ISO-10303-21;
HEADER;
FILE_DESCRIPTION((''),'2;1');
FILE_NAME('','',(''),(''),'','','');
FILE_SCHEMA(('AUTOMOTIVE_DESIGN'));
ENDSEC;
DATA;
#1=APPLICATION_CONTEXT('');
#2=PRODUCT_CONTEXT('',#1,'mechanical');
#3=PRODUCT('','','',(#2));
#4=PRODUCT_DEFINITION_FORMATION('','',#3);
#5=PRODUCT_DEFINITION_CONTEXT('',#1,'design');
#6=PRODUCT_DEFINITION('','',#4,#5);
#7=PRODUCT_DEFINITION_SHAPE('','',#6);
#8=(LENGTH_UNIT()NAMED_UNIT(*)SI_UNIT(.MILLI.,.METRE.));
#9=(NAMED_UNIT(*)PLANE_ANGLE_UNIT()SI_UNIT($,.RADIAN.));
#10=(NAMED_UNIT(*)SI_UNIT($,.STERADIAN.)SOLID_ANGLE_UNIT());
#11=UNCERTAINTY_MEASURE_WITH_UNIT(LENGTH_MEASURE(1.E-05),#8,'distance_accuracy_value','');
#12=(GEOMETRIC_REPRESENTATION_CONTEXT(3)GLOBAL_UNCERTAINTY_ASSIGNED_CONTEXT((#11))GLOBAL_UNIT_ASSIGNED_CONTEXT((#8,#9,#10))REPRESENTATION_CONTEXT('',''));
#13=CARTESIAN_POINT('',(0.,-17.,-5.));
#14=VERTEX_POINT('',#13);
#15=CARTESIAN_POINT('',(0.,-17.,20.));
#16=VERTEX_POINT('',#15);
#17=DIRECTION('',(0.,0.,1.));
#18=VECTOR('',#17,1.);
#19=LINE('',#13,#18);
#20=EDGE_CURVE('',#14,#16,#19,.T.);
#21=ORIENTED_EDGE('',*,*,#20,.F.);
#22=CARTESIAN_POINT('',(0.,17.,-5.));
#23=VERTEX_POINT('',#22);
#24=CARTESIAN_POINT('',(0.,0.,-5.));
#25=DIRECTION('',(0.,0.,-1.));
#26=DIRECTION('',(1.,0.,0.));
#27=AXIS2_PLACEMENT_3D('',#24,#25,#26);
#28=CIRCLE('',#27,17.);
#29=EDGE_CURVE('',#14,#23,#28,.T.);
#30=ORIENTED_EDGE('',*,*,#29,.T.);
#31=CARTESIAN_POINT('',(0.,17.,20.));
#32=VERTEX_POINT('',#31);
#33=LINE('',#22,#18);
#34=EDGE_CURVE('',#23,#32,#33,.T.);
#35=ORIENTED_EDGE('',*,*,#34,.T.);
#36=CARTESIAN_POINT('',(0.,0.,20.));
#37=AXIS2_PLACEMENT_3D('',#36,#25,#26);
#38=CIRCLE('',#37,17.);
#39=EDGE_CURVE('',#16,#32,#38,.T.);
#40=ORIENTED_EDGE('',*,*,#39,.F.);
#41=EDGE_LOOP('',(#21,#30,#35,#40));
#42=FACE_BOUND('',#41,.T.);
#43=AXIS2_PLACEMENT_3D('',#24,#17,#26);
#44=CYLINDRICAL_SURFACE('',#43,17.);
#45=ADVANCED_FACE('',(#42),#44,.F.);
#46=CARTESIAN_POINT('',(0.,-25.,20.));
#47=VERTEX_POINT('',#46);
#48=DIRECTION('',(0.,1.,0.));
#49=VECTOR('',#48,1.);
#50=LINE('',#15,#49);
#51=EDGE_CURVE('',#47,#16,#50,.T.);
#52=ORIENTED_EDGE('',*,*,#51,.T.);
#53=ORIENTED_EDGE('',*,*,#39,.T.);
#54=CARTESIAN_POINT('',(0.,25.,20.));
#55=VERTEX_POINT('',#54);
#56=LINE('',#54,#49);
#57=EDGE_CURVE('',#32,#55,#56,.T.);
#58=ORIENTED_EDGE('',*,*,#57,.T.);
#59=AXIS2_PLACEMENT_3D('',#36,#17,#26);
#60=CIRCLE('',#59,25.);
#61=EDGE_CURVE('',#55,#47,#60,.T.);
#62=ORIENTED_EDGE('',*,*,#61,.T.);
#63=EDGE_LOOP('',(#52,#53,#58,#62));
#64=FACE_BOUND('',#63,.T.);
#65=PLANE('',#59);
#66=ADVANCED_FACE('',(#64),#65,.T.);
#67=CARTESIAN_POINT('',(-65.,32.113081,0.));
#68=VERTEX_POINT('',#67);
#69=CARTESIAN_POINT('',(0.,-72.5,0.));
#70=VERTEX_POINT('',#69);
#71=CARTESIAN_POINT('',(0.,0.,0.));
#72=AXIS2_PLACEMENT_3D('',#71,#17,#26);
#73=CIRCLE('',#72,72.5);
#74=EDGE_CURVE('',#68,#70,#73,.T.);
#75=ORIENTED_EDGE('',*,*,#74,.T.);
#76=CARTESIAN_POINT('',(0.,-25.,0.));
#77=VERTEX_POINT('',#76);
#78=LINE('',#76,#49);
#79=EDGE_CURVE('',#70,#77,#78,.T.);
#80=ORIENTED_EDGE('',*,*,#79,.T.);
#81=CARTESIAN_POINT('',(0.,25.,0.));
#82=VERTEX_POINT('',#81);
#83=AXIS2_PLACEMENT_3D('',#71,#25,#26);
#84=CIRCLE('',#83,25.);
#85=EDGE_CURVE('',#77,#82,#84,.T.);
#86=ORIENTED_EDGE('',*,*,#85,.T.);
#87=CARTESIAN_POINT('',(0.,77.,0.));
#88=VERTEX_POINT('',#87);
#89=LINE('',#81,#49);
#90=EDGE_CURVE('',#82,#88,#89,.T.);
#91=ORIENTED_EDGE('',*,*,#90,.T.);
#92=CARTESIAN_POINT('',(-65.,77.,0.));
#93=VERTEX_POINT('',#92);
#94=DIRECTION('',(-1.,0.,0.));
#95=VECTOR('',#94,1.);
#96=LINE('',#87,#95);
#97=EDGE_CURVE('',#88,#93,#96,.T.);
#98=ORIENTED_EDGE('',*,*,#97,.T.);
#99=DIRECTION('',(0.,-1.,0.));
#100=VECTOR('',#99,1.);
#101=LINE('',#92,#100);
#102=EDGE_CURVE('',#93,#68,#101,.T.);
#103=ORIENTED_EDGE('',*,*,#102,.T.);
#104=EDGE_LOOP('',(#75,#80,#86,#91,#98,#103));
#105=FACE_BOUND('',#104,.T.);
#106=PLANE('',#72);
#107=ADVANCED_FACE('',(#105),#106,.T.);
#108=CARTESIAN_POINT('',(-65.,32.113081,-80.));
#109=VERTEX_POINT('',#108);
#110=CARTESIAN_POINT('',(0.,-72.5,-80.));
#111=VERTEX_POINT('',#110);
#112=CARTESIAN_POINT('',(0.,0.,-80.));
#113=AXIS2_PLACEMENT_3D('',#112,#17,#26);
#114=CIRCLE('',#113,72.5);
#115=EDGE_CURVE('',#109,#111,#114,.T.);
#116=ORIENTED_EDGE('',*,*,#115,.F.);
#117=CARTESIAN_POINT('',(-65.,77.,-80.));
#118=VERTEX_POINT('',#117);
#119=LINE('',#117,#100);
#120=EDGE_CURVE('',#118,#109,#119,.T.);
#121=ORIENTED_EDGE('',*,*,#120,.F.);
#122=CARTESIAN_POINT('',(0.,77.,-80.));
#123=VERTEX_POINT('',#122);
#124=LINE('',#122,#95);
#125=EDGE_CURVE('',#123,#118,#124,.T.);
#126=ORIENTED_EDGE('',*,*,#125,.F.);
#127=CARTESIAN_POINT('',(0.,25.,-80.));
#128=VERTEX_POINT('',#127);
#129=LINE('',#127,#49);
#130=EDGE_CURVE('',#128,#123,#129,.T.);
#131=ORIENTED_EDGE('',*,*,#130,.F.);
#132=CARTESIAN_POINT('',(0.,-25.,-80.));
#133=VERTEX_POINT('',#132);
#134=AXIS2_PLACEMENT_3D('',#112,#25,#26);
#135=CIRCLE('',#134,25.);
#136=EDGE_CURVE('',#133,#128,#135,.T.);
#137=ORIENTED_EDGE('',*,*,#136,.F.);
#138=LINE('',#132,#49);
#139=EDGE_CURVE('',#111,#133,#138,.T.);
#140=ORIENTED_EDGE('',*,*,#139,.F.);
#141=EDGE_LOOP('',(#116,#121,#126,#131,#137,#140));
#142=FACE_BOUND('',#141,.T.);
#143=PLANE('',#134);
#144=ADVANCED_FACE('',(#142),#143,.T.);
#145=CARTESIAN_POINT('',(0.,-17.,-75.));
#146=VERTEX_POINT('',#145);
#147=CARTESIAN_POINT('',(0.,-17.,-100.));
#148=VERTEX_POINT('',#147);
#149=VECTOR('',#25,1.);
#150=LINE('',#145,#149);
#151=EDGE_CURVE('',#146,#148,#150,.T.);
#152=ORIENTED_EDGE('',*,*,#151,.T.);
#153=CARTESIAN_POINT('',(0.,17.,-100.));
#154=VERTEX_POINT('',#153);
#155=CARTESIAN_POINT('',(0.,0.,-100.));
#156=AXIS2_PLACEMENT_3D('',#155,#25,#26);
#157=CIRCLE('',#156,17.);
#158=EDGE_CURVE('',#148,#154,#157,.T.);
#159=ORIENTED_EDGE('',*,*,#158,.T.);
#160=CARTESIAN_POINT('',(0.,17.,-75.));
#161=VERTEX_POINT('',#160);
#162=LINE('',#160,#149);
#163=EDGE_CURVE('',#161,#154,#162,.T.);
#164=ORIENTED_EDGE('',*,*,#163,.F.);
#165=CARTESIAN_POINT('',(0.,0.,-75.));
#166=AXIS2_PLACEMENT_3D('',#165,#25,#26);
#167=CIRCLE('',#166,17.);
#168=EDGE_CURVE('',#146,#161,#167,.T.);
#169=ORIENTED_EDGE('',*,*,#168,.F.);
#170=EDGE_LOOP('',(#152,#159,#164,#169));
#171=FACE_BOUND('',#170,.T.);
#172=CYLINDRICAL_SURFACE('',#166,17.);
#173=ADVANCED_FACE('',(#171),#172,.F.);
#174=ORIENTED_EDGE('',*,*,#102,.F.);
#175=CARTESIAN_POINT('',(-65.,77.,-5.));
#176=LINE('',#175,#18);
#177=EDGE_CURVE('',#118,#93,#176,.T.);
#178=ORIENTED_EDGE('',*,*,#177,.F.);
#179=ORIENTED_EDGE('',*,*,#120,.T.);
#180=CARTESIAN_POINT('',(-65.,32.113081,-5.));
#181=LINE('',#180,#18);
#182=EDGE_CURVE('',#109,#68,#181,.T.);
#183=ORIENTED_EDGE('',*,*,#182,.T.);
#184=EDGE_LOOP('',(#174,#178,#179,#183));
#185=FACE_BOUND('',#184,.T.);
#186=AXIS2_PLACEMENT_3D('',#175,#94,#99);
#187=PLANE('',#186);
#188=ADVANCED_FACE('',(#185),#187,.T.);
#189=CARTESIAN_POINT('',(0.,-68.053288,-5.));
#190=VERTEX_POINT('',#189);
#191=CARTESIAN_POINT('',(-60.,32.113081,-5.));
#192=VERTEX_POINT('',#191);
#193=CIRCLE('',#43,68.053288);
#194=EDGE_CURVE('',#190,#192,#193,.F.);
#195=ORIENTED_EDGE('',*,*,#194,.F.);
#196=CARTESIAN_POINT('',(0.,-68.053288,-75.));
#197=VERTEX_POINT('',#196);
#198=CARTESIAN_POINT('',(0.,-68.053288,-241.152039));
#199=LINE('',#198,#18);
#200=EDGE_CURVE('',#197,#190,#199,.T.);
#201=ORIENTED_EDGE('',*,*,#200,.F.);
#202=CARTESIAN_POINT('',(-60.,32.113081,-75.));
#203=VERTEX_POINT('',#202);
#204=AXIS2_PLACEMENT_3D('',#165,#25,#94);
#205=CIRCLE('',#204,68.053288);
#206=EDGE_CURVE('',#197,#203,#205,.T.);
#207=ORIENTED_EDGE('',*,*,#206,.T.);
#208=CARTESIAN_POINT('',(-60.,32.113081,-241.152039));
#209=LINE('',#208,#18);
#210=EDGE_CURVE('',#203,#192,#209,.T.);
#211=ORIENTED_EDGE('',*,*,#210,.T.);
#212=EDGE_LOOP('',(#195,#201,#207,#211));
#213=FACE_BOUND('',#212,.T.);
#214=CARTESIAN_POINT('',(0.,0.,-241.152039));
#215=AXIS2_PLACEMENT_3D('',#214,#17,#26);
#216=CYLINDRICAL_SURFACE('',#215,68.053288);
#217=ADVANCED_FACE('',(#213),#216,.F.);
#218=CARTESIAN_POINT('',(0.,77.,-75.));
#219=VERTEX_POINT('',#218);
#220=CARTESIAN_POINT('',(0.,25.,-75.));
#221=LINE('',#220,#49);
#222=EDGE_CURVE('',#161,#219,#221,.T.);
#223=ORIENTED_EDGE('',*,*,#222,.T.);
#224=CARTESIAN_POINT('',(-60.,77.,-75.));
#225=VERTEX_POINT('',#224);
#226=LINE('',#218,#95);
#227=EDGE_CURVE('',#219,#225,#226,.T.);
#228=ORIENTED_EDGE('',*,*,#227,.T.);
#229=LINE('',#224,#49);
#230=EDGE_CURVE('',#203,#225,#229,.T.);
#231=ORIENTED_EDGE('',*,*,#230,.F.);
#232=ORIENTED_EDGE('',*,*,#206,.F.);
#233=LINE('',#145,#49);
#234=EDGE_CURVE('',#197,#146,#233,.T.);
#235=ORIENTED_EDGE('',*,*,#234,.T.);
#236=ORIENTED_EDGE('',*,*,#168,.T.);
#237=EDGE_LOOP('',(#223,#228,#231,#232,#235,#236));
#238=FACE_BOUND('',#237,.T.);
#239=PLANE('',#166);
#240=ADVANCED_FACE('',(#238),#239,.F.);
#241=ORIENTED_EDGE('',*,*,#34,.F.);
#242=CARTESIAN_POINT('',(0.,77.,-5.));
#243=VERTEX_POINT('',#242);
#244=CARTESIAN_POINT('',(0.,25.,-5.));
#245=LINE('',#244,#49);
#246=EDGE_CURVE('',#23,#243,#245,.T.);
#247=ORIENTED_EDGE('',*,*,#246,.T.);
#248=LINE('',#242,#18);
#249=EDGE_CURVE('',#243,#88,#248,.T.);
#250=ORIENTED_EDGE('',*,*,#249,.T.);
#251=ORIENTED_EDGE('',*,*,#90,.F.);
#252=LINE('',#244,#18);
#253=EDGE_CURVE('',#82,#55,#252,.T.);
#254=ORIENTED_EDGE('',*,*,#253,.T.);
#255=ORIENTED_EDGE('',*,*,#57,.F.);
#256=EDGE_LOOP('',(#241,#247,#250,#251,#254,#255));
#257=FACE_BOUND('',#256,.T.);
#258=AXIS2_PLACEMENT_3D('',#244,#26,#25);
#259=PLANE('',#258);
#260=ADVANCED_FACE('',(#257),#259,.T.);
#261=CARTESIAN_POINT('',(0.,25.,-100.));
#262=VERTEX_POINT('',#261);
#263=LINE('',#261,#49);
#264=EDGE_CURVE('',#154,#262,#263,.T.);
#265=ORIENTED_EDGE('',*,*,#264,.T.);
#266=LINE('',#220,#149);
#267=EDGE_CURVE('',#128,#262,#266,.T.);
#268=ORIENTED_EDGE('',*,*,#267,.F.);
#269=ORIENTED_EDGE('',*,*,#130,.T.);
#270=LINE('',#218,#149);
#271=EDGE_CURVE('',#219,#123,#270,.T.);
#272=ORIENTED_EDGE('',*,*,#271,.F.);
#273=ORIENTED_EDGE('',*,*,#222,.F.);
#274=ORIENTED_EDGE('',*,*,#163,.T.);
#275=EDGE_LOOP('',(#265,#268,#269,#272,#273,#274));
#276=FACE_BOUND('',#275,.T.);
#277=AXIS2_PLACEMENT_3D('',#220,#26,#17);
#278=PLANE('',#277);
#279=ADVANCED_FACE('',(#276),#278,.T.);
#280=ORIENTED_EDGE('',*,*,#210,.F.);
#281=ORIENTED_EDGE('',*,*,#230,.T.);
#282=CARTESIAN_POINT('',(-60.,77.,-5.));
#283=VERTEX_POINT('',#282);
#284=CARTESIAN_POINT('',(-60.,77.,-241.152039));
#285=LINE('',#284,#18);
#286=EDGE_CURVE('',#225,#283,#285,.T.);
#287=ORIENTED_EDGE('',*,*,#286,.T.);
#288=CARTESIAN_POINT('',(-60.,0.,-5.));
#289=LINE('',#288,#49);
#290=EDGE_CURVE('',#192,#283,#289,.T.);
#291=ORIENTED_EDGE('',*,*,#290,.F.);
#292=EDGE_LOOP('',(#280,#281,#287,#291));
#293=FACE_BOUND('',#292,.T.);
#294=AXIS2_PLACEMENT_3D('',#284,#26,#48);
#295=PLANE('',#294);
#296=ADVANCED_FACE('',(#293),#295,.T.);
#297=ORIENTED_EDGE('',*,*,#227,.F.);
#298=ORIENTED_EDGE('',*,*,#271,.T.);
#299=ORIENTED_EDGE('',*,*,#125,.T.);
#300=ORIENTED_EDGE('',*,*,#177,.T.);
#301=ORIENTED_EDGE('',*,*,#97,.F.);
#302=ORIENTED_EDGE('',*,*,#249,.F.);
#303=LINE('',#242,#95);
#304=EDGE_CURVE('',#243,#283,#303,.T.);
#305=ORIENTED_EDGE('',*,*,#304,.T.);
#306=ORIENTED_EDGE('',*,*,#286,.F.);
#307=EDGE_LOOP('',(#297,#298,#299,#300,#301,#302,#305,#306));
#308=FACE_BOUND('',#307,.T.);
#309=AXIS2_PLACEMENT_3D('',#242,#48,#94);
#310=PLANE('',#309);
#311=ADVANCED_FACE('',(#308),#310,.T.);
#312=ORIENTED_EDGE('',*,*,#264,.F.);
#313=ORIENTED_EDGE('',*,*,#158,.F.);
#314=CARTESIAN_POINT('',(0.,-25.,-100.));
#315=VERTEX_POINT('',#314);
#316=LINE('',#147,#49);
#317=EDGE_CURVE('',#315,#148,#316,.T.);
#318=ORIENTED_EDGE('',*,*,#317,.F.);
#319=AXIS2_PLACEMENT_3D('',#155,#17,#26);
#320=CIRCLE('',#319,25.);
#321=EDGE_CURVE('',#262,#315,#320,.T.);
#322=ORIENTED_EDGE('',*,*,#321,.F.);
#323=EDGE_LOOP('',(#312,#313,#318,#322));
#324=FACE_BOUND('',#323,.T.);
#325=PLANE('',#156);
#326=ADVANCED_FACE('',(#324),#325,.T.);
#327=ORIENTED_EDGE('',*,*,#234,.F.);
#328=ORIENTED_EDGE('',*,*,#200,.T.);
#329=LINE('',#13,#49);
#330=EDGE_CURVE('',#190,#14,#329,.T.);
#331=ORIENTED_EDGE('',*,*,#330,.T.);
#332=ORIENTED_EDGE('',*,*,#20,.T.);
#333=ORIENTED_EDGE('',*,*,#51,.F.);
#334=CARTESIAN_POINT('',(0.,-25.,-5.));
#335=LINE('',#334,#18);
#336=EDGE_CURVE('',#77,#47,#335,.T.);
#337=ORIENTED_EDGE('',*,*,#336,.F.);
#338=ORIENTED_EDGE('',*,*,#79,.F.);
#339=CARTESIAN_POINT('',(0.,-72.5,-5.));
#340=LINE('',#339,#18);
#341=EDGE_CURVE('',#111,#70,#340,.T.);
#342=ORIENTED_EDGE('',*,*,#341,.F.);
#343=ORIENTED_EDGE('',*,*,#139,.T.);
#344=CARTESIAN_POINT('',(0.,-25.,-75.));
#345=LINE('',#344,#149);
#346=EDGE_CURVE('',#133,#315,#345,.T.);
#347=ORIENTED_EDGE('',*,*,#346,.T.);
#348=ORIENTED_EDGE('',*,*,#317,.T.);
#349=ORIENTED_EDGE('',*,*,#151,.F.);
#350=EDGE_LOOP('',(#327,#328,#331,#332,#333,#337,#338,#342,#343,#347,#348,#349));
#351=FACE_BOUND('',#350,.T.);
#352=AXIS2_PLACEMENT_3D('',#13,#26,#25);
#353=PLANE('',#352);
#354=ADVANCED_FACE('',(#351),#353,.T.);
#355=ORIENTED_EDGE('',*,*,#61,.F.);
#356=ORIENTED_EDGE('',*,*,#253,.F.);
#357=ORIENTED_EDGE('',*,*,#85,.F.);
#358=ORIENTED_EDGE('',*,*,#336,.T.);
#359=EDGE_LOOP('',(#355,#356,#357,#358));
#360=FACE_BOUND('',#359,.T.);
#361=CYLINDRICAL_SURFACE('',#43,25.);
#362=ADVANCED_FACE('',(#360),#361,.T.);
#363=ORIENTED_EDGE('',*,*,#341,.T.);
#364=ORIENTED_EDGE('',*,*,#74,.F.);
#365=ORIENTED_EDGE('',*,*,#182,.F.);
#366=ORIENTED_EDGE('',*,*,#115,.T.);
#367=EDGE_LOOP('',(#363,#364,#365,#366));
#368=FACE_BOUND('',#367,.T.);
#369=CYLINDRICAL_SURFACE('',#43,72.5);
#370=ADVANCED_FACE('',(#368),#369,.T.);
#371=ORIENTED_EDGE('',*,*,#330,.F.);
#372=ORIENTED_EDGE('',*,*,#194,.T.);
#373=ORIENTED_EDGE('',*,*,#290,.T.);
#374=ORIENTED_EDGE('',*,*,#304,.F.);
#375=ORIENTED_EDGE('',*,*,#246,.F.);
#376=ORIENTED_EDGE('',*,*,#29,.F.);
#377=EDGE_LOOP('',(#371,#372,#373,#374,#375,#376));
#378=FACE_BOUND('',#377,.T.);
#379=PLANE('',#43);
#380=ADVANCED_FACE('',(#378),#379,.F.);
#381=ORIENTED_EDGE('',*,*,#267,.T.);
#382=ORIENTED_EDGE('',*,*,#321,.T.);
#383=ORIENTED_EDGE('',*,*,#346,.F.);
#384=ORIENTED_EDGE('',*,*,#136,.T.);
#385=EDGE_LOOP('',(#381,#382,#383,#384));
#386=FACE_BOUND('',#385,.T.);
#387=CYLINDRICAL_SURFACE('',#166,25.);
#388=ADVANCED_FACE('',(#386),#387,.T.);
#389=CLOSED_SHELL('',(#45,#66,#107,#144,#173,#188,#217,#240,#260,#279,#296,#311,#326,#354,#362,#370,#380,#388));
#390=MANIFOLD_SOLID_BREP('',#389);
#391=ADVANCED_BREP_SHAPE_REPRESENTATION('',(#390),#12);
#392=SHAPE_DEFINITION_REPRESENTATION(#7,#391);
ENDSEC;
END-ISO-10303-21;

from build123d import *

# Parameters (mm, degrees)
BOSS_EXTRUDE1_DEPTH      = 20
BOSS_EXTRUDE1_DEPTH_BACK = 5
BOSS_EXTRUDE3_DEPTH      = 5
BOSS_EXTRUDE4_DEPTH      = 75


with BuildPart() as part:
    # Sketch1 → Boss-Extrude1 (new body, two sides)
    with BuildSketch(Plane.XY) as boss_extrude1_sk:
        with BuildLine():
            Line((0, 25), (0, 17))
            ThreePointArc((0, 17), (-17, 0), (0, -17))
            Line((0, -17), (0, -25))
            ThreePointArc((0, -25), (-25, 0), (0, 25))
        make_face()
    extrude(amount=BOSS_EXTRUDE1_DEPTH)
    extrude(boss_extrude1_sk.sketch, amount=-BOSS_EXTRUDE1_DEPTH_BACK)

    # Sketch2 → Boss-Extrude3 (add)
    with BuildSketch(Plane.XY):
        with BuildLine():
            Line((0, 25), (0, 77))
            Line((0, 77), (-65, 77))
            Line((-65, 77), (-65, 32.113081447))
            ThreePointArc((-65, 32.113081447), (-61.581037686, -38.262590053), (0, -72.5))
            Line((0, -72.5), (0, -25))
            ThreePointArc((0, -25), (-25, 0), (0, 25))
        make_face()
    extrude(amount=-BOSS_EXTRUDE3_DEPTH)


with BuildPart() as body_2:
    # Mirror7: mirrored copy
    add(part.part.mirror(Plane.XY.offset(-40)))


with BuildPart() as part_1:
    add(part.part)

    add(body_2.part)  # Boss-Extrude4 merges body 2
    # Sketch3 → Boss-Extrude4 (add)
    with BuildSketch(Plane.XY):
        with BuildLine():
            Line((-65, 32.113081447), (-65, 77))
            Line((-65, 77), (-60, 77))
            Line((-60, 77), (-60, 32.113081447))
            ThreePointArc((-60, 32.113081447), (-58.380864924, -34.970339014), (0, -68.053287944))
            Line((0, -68.053287944), (0, -72.5))
            ThreePointArc((0, -72.5), (-61.581037686, -38.262590053), (-65, 32.113081447))
        make_face()
    extrude(amount=-BOSS_EXTRUDE4_DEPTH)


solid = part_1.part
